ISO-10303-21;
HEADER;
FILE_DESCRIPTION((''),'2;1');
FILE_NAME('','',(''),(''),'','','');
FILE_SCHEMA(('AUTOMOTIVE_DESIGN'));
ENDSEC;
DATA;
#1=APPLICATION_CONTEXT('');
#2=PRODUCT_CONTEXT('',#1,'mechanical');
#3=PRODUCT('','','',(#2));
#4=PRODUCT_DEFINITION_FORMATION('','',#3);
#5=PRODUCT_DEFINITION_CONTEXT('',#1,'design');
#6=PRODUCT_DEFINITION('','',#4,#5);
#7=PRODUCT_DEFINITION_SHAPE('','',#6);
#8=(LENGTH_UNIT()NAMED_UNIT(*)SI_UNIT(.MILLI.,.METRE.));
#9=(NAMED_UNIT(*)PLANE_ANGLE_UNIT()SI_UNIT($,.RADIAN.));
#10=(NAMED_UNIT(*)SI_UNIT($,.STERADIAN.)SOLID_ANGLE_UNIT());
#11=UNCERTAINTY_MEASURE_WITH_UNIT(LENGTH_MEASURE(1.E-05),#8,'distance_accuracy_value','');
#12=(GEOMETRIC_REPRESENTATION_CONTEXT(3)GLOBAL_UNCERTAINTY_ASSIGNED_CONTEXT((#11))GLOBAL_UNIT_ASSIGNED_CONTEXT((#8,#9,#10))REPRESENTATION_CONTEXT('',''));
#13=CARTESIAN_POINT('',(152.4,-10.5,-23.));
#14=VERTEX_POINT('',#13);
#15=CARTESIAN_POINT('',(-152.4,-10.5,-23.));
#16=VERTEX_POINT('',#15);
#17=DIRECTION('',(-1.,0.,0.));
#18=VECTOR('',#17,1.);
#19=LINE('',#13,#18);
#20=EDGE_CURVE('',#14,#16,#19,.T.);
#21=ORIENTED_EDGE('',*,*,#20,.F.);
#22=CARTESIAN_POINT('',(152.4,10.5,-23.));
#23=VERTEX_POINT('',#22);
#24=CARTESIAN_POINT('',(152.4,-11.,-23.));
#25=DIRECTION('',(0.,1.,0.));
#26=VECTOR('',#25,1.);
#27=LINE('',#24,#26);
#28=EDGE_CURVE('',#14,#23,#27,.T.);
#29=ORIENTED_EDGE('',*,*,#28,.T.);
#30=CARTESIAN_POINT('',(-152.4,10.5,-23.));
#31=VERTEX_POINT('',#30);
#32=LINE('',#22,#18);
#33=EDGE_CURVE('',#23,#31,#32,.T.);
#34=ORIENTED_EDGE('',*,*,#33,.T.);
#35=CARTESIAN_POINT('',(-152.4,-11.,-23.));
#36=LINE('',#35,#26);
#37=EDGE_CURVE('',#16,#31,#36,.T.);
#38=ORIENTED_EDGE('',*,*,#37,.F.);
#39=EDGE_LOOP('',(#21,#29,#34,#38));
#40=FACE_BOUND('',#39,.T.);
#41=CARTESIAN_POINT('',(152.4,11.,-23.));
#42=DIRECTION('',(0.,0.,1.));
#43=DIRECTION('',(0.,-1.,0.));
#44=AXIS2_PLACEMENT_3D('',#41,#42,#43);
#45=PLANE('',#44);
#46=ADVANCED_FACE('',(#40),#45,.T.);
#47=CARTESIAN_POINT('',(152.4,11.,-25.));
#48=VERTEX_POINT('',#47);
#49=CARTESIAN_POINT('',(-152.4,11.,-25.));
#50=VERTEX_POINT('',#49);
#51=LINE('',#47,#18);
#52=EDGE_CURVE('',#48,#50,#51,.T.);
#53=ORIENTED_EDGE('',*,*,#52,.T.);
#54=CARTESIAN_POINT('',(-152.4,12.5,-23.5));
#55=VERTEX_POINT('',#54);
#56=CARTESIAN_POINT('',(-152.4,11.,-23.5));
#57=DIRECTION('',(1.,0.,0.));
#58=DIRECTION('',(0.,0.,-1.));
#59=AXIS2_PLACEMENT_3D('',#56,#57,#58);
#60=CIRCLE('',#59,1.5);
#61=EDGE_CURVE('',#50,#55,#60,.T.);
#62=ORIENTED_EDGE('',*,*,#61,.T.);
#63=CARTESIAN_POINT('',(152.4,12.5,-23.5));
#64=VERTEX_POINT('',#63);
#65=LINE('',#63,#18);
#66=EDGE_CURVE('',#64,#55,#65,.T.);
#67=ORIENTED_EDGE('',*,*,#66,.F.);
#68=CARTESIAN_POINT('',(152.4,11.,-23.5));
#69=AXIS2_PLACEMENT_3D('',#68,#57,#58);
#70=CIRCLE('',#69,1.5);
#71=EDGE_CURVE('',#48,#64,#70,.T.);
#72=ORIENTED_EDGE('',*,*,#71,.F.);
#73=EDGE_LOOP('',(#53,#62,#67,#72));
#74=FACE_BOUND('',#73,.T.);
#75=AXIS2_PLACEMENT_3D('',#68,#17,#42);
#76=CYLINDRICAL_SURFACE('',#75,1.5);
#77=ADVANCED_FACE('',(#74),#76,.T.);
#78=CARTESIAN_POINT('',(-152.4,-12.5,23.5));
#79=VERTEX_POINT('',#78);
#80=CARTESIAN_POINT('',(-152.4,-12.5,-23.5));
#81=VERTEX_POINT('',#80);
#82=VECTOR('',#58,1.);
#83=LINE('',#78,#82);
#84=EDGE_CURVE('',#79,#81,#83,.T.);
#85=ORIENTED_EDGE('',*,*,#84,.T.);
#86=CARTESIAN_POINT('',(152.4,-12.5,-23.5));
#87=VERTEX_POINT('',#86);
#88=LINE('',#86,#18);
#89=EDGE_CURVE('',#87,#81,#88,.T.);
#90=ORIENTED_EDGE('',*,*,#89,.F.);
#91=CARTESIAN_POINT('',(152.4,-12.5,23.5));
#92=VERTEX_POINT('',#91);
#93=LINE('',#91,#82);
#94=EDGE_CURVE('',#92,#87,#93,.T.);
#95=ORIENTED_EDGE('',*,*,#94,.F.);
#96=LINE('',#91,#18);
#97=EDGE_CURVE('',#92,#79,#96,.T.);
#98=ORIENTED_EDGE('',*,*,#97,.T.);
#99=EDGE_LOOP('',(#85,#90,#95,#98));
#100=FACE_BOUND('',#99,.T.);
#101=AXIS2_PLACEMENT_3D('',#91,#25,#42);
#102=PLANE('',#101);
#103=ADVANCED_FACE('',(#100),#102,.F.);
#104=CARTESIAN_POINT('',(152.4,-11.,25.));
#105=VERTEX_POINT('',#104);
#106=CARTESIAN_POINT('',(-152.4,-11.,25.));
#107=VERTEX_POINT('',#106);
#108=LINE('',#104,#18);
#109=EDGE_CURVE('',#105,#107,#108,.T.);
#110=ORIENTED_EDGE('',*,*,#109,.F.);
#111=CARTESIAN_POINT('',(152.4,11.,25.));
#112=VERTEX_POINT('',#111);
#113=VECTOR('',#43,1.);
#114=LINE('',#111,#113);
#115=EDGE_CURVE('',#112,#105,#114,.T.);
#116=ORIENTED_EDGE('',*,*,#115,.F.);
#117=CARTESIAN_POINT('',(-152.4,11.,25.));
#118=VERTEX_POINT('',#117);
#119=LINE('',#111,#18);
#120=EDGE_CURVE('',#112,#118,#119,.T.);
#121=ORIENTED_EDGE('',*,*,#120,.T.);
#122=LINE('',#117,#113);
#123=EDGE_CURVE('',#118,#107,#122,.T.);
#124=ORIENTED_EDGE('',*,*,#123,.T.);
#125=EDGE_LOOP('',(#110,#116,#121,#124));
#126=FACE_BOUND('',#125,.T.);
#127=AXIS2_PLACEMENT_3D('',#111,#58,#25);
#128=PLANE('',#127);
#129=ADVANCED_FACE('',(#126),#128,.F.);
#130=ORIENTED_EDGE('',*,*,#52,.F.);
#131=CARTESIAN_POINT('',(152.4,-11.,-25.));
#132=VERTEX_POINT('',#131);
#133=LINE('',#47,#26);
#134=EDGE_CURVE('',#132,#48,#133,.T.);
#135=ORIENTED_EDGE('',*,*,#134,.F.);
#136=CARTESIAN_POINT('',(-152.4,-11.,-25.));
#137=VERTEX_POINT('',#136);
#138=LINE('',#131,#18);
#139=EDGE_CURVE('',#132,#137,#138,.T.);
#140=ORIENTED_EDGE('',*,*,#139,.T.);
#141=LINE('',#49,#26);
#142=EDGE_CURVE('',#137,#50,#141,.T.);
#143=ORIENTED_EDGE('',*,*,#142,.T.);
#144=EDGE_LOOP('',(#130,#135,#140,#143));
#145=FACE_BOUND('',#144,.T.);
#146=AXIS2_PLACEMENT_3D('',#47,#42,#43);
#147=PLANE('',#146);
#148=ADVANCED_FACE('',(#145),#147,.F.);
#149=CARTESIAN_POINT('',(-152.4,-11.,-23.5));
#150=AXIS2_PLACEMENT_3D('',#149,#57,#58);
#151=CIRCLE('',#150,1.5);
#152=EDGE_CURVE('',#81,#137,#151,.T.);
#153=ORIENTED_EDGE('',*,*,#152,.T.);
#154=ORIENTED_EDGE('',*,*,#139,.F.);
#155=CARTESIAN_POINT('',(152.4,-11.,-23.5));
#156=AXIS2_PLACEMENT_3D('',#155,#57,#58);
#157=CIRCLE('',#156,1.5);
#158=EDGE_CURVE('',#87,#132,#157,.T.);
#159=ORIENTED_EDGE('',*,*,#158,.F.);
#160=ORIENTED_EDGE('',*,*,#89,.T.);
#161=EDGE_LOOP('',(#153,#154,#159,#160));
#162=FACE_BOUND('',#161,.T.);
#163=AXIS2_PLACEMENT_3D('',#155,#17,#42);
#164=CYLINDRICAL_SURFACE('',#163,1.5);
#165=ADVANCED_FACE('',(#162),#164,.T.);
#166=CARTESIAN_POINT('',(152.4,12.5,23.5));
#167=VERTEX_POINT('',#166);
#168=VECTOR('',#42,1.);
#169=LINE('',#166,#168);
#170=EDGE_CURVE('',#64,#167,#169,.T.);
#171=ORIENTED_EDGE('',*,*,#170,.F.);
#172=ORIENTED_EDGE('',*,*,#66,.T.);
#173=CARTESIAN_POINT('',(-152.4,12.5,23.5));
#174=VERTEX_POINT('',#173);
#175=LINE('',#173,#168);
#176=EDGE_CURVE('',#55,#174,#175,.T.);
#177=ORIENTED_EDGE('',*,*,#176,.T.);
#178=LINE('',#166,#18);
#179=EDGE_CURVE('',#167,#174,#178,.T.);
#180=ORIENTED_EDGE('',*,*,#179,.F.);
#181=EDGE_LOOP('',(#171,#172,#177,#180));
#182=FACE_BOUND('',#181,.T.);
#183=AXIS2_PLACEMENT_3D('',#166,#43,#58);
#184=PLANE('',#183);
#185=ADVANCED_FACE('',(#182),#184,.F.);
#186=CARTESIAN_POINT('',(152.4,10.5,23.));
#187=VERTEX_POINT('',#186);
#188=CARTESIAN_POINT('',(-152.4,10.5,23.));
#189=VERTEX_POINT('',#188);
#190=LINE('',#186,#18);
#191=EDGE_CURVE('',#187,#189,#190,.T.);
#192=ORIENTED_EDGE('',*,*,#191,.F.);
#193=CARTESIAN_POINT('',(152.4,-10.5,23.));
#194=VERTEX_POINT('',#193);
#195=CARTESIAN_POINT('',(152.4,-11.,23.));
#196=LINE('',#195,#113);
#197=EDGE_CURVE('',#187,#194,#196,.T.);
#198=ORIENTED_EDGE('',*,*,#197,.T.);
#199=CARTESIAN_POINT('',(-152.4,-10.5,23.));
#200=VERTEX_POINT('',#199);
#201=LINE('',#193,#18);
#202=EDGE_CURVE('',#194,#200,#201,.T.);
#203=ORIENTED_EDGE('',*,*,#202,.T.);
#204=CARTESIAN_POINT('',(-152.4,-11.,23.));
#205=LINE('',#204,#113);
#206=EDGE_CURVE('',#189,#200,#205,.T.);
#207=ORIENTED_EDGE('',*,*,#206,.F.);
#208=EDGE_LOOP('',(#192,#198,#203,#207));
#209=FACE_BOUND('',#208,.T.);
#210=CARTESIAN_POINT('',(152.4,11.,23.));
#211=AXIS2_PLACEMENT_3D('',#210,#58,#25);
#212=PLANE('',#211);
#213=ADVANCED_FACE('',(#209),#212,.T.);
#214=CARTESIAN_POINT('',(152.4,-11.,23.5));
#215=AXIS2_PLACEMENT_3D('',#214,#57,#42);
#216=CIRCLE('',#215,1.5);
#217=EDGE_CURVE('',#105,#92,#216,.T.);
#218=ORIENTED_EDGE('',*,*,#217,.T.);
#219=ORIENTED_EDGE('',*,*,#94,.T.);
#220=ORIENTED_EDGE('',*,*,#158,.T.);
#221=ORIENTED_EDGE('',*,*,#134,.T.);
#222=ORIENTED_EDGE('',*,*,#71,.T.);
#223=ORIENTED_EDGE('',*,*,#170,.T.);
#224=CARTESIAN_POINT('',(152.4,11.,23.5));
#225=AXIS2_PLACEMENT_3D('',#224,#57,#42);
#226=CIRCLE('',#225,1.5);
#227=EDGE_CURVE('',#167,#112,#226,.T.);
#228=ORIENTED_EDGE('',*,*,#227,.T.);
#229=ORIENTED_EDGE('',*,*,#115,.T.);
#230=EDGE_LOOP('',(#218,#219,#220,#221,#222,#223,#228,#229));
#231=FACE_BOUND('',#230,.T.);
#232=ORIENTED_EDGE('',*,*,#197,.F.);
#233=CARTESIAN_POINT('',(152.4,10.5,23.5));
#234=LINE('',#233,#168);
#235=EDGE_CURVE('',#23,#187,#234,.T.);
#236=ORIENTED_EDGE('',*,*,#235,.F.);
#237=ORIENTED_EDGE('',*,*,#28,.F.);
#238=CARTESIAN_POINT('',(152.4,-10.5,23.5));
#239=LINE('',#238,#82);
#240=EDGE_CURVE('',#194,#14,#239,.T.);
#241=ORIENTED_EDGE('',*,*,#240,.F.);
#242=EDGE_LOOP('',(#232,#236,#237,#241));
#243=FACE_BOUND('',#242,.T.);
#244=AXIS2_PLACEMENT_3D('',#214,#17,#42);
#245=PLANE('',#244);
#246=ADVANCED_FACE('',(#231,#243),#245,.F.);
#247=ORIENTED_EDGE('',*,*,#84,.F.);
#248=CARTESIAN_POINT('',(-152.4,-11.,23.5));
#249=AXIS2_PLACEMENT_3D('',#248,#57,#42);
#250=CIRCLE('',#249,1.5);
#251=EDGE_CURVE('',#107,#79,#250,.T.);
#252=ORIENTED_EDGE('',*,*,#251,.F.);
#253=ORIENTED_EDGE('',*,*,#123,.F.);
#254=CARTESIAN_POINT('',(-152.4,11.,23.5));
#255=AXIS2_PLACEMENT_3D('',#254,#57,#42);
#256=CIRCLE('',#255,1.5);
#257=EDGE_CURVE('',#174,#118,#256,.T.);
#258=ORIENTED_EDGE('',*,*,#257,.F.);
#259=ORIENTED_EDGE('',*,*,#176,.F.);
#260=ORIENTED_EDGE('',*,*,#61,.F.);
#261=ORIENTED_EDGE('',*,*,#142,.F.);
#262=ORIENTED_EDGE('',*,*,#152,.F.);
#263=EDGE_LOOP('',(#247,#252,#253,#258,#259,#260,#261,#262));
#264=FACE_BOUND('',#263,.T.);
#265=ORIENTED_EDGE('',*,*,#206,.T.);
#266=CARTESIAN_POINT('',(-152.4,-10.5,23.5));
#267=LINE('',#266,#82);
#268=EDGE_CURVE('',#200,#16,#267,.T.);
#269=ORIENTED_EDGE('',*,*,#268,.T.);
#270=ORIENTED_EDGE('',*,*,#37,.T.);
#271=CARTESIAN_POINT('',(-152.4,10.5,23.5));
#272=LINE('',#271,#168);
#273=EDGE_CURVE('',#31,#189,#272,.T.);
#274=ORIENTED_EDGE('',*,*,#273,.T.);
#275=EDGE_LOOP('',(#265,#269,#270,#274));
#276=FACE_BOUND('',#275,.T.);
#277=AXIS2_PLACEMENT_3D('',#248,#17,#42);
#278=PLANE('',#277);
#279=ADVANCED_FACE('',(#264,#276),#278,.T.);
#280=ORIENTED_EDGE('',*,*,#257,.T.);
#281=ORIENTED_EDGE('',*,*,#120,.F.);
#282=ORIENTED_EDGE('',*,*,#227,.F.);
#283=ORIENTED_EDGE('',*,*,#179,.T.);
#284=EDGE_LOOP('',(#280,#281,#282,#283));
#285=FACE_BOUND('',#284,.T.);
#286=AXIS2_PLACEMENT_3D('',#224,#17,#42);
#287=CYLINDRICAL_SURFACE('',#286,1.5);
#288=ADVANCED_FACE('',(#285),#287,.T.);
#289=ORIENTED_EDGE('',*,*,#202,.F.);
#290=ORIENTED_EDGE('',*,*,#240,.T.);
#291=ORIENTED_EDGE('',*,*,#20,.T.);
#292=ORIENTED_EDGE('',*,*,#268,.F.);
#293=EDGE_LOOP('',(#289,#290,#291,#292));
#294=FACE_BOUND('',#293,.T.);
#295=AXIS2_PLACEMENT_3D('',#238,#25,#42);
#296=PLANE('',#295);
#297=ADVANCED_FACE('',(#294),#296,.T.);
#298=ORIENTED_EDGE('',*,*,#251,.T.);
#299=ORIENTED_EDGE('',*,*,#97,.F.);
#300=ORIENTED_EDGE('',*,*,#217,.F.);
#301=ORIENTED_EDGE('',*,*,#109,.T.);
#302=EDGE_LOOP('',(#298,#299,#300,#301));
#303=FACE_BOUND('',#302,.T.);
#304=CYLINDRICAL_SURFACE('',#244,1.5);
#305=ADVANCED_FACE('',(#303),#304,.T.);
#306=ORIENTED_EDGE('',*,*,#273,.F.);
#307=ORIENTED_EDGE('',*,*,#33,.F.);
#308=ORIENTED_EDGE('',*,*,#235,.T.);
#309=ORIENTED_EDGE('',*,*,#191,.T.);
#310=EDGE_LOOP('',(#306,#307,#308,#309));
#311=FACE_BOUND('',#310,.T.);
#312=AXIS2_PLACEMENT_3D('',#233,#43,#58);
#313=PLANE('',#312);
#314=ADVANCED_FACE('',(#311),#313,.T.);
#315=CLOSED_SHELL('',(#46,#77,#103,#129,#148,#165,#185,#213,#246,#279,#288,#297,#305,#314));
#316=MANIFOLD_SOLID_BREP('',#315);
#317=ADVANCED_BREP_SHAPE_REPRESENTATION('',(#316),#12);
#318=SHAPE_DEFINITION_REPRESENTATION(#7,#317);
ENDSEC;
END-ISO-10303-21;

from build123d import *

# Parameters (mm, degrees)
BOSS_EXTRUDE1_DEPTH = 152.4
SHELL1_T            = -2


with BuildPart() as part:
    # Sketch1 → Boss-Extrude1 (new, symmetric)
    with BuildSketch(Plane(origin=(0, 0, 0), x_dir=(0, 0, -1), z_dir=(1, 0, 0))):
        with BuildLine():
            Line((-23.5, 12.5), (23.5, 12.5))
            ThreePointArc((23.5, 12.5), (24.560660172, 12.060660172), (25, 11))
            Line((25, 11), (25, -11))
            ThreePointArc((25, -11), (24.560660172, -12.060660172), (23.5, -12.5))
            Line((23.5, -12.5), (-23.5, -12.5))
            ThreePointArc((-23.5, -12.5), (-24.560660172, -12.060660172), (-25, -11))
            Line((-25, -11), (-25, 11))
            ThreePointArc((-25, 11), (-24.560660172, 12.060660172), (-23.5, 12.5))
        make_face()
    extrude(amount=BOSS_EXTRUDE1_DEPTH, both=True)

    # Shell1
    shell1_openings = [part.faces().sort_by_distance(p)[0] for p in [
        (152.4, 0, 0),
        (-152.4, 0, 0),
    ]]
    offset(amount=SHELL1_T, openings=shell1_openings, kind=Kind.INTERSECTION)


solid = part.part
